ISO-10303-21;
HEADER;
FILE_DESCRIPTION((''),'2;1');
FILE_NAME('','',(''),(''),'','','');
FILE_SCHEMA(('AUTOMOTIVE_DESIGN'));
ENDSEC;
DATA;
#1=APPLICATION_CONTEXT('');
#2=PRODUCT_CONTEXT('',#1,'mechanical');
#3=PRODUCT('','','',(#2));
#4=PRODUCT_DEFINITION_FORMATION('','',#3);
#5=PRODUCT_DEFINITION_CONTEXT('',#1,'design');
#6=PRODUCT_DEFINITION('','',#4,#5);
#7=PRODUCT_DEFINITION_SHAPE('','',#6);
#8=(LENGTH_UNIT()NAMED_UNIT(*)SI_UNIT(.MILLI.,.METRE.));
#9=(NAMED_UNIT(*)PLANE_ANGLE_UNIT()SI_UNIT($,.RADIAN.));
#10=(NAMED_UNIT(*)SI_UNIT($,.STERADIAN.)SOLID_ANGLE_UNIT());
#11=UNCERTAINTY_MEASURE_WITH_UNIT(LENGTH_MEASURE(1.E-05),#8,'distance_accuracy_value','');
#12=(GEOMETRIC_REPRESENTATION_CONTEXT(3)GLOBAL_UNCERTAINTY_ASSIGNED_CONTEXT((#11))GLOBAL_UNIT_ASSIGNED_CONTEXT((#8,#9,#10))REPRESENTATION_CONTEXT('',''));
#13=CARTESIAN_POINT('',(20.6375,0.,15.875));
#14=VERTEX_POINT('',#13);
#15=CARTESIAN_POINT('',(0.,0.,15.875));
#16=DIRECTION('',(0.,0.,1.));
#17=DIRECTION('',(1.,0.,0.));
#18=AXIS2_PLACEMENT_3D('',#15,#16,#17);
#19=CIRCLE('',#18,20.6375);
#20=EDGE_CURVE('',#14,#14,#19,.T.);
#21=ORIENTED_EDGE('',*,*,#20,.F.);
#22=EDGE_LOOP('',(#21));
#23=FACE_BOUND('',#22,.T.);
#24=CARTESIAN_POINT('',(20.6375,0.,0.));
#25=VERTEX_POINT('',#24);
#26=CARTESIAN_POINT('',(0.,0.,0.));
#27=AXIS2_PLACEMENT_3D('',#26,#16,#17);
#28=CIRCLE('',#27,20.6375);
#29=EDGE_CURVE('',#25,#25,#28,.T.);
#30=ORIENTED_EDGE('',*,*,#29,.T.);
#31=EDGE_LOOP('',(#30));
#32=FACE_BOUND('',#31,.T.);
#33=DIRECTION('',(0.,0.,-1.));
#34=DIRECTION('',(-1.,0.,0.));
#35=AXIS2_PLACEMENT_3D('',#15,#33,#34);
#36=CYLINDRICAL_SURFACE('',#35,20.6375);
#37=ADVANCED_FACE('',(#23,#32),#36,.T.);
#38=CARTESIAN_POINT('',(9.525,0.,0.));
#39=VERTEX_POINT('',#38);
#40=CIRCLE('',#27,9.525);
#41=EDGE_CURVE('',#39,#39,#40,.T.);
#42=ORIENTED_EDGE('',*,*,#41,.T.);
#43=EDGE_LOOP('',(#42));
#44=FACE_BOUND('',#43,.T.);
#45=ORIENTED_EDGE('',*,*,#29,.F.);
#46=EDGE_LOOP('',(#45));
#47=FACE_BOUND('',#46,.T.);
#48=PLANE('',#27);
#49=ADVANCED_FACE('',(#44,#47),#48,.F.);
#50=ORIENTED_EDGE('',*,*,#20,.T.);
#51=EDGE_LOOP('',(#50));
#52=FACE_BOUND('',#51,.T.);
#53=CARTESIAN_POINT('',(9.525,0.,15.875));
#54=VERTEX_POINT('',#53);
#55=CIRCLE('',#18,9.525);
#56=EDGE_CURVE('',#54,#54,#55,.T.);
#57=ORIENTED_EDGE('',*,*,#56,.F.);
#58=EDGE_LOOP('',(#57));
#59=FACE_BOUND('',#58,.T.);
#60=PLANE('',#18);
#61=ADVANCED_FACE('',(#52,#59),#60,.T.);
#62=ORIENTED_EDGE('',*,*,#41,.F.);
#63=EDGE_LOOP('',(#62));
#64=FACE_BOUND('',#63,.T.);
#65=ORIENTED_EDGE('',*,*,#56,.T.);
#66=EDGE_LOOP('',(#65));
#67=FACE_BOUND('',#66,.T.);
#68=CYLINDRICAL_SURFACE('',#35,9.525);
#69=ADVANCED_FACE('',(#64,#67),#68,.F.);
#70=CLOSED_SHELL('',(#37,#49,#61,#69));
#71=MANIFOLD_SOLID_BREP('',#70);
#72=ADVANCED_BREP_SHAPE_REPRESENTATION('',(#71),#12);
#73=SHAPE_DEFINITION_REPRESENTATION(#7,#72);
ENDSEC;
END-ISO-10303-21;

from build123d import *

# Parameters (mm, degrees)
SKETCH1_R           = 20.6375
SKETCH1_R_2         = 9.525
BOSS_EXTRUDE1_DEPTH = 15.875


with BuildPart() as part:
    # Sketch1 → Boss-Extrude1 (new body)
    with BuildSketch(Plane.XY):
        Circle(SKETCH1_R)
        Circle(SKETCH1_R_2, mode=Mode.SUBTRACT)
    extrude(amount=BOSS_EXTRUDE1_DEPTH)


solid = part.part
